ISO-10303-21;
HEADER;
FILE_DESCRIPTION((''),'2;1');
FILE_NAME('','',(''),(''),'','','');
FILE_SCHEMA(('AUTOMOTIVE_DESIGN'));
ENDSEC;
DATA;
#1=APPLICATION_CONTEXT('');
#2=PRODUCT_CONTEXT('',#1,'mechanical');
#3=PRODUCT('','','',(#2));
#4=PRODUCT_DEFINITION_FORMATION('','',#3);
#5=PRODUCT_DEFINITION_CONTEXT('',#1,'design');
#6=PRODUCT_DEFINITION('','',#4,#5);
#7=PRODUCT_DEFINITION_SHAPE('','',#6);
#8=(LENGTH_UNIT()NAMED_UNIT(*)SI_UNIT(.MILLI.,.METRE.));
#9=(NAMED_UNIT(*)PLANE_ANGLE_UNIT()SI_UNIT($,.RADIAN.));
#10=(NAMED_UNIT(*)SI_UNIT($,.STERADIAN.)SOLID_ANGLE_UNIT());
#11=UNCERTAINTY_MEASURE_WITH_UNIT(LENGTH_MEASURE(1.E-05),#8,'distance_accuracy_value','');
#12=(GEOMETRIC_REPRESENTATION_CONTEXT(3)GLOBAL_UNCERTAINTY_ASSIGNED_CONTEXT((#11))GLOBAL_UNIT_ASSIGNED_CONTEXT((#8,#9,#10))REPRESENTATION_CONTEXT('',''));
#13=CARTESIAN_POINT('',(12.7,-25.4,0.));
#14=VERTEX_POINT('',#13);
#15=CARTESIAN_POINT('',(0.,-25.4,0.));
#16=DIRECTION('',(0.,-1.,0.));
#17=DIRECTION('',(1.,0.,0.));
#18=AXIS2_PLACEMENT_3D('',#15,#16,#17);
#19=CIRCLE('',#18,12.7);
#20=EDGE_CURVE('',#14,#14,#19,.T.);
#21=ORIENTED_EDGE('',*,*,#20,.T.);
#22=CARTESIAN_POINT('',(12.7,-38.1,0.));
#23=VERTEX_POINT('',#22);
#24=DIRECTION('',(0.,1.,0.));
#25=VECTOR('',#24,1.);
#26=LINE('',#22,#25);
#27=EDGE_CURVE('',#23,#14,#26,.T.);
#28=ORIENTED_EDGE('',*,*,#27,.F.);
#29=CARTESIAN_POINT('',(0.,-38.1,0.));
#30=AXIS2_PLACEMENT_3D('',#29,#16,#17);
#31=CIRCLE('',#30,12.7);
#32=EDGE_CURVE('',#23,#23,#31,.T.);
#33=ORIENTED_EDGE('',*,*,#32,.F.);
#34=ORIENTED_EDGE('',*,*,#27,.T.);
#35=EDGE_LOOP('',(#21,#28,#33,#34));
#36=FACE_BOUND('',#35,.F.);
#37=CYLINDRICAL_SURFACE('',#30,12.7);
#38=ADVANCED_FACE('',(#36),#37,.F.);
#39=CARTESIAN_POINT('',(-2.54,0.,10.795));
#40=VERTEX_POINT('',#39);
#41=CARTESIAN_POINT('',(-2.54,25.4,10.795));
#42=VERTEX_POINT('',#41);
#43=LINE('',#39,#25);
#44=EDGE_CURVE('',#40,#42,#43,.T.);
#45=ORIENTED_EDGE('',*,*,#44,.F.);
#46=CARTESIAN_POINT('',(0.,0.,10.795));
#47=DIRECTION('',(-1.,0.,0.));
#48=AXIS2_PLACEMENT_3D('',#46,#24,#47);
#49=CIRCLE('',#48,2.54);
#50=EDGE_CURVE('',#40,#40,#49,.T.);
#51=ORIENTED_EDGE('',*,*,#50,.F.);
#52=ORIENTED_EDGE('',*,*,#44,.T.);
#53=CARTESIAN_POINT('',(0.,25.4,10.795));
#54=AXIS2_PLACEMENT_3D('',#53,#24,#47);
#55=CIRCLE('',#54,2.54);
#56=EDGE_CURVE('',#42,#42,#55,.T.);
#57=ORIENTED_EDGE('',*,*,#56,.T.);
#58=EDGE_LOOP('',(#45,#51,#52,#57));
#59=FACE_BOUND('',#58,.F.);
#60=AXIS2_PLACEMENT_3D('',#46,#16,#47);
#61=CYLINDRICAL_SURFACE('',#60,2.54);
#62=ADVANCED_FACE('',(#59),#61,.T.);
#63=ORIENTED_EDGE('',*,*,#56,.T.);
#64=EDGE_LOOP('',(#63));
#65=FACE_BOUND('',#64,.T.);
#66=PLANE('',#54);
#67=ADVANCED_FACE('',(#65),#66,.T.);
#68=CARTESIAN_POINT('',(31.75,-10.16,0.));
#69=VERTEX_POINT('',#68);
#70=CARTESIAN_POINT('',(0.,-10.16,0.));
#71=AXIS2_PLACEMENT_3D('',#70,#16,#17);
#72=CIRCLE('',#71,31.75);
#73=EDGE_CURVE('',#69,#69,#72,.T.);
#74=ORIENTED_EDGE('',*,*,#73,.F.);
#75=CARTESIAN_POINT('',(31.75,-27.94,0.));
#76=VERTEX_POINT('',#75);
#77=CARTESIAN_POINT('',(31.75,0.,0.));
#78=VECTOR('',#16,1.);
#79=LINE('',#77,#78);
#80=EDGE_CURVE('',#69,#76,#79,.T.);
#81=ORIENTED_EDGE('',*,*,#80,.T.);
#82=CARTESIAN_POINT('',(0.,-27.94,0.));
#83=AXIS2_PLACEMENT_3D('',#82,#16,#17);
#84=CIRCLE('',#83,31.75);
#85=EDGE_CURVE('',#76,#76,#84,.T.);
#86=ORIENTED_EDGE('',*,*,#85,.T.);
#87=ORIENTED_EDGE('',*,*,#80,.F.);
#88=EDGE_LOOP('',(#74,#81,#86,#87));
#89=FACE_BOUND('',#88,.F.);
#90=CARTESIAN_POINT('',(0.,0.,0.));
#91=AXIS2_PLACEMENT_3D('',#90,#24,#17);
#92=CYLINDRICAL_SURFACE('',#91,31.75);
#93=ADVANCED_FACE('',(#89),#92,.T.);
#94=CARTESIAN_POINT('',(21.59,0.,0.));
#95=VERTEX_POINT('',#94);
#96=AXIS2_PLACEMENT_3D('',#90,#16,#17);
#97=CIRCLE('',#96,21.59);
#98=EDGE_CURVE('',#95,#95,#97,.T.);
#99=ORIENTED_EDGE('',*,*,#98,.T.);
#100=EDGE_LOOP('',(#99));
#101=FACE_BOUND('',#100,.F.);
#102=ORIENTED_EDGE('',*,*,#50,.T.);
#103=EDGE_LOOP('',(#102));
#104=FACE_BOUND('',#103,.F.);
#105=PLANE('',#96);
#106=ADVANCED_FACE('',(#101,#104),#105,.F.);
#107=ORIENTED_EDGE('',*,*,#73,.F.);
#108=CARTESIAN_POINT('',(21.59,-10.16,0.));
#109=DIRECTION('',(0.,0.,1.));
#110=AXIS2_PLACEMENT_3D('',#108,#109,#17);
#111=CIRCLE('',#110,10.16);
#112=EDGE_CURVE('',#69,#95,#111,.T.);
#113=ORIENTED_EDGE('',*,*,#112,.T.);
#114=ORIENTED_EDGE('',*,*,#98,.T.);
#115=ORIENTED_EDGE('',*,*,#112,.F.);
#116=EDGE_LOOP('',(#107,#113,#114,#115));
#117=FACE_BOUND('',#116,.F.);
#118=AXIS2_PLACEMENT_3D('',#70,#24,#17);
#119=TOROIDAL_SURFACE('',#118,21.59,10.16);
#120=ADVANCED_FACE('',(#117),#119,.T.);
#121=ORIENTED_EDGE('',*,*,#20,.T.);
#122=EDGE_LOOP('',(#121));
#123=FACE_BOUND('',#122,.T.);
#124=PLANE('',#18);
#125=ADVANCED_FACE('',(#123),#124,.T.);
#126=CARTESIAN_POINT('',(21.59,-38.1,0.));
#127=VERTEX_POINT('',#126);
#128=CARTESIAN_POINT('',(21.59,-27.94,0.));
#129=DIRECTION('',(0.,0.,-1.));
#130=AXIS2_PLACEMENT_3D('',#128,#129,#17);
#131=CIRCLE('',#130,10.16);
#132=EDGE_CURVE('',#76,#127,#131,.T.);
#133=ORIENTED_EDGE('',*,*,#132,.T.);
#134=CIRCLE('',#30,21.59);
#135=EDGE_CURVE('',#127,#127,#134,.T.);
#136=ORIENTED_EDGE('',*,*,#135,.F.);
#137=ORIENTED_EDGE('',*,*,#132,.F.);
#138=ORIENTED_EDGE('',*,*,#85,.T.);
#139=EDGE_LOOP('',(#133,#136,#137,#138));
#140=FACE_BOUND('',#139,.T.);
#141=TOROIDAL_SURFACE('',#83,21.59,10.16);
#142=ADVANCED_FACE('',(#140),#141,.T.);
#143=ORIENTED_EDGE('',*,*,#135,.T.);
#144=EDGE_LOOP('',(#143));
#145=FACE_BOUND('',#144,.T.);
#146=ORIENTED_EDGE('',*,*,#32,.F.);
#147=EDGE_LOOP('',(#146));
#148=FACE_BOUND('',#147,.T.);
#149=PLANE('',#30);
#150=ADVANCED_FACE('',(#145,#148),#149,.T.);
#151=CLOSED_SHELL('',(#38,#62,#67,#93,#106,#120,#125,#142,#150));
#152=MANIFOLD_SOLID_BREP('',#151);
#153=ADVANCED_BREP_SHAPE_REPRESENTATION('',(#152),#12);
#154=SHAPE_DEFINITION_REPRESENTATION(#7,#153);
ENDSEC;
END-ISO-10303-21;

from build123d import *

# Parameters (mm, degrees)
F0_R     = 31.75
F1_DEPTH = 38.1
F2_R     = 10.16
F3_R     = 12.7
F4_DEPTH = 12.7
F5_R     = 2.54
F6_DEPTH = 25.4


with BuildPart() as f1:
    # F0 (on Front) → F1 (new body)
    with BuildSketch(Plane.XZ):
        Circle(F0_R)
    extrude(amount=F1_DEPTH)

    # F2
    f2_edges = [f1.edges().sort_by_distance(p)[0] for p in [
        (-31.75, -38.1, 0),
        (-31.75, 0, 0),
    ]]
    fillet(f2_edges, radius=F2_R)

    # F3 (on face) → F4 (cut)
    with BuildSketch(Plane.XZ.offset(38.1)):
        Circle(F3_R)
    extrude(amount=-F4_DEPTH, mode=Mode.SUBTRACT)

    # F5 (on face) → F6 (join)
    with BuildSketch(Plane(origin=(0, 0, 0), x_dir=(-1, 0, 0), z_dir=(0, 1, 0))):
        with Locations((0, 10.795)):
            Circle(F5_R)
    extrude(amount=F6_DEPTH)


solid = f1.part
